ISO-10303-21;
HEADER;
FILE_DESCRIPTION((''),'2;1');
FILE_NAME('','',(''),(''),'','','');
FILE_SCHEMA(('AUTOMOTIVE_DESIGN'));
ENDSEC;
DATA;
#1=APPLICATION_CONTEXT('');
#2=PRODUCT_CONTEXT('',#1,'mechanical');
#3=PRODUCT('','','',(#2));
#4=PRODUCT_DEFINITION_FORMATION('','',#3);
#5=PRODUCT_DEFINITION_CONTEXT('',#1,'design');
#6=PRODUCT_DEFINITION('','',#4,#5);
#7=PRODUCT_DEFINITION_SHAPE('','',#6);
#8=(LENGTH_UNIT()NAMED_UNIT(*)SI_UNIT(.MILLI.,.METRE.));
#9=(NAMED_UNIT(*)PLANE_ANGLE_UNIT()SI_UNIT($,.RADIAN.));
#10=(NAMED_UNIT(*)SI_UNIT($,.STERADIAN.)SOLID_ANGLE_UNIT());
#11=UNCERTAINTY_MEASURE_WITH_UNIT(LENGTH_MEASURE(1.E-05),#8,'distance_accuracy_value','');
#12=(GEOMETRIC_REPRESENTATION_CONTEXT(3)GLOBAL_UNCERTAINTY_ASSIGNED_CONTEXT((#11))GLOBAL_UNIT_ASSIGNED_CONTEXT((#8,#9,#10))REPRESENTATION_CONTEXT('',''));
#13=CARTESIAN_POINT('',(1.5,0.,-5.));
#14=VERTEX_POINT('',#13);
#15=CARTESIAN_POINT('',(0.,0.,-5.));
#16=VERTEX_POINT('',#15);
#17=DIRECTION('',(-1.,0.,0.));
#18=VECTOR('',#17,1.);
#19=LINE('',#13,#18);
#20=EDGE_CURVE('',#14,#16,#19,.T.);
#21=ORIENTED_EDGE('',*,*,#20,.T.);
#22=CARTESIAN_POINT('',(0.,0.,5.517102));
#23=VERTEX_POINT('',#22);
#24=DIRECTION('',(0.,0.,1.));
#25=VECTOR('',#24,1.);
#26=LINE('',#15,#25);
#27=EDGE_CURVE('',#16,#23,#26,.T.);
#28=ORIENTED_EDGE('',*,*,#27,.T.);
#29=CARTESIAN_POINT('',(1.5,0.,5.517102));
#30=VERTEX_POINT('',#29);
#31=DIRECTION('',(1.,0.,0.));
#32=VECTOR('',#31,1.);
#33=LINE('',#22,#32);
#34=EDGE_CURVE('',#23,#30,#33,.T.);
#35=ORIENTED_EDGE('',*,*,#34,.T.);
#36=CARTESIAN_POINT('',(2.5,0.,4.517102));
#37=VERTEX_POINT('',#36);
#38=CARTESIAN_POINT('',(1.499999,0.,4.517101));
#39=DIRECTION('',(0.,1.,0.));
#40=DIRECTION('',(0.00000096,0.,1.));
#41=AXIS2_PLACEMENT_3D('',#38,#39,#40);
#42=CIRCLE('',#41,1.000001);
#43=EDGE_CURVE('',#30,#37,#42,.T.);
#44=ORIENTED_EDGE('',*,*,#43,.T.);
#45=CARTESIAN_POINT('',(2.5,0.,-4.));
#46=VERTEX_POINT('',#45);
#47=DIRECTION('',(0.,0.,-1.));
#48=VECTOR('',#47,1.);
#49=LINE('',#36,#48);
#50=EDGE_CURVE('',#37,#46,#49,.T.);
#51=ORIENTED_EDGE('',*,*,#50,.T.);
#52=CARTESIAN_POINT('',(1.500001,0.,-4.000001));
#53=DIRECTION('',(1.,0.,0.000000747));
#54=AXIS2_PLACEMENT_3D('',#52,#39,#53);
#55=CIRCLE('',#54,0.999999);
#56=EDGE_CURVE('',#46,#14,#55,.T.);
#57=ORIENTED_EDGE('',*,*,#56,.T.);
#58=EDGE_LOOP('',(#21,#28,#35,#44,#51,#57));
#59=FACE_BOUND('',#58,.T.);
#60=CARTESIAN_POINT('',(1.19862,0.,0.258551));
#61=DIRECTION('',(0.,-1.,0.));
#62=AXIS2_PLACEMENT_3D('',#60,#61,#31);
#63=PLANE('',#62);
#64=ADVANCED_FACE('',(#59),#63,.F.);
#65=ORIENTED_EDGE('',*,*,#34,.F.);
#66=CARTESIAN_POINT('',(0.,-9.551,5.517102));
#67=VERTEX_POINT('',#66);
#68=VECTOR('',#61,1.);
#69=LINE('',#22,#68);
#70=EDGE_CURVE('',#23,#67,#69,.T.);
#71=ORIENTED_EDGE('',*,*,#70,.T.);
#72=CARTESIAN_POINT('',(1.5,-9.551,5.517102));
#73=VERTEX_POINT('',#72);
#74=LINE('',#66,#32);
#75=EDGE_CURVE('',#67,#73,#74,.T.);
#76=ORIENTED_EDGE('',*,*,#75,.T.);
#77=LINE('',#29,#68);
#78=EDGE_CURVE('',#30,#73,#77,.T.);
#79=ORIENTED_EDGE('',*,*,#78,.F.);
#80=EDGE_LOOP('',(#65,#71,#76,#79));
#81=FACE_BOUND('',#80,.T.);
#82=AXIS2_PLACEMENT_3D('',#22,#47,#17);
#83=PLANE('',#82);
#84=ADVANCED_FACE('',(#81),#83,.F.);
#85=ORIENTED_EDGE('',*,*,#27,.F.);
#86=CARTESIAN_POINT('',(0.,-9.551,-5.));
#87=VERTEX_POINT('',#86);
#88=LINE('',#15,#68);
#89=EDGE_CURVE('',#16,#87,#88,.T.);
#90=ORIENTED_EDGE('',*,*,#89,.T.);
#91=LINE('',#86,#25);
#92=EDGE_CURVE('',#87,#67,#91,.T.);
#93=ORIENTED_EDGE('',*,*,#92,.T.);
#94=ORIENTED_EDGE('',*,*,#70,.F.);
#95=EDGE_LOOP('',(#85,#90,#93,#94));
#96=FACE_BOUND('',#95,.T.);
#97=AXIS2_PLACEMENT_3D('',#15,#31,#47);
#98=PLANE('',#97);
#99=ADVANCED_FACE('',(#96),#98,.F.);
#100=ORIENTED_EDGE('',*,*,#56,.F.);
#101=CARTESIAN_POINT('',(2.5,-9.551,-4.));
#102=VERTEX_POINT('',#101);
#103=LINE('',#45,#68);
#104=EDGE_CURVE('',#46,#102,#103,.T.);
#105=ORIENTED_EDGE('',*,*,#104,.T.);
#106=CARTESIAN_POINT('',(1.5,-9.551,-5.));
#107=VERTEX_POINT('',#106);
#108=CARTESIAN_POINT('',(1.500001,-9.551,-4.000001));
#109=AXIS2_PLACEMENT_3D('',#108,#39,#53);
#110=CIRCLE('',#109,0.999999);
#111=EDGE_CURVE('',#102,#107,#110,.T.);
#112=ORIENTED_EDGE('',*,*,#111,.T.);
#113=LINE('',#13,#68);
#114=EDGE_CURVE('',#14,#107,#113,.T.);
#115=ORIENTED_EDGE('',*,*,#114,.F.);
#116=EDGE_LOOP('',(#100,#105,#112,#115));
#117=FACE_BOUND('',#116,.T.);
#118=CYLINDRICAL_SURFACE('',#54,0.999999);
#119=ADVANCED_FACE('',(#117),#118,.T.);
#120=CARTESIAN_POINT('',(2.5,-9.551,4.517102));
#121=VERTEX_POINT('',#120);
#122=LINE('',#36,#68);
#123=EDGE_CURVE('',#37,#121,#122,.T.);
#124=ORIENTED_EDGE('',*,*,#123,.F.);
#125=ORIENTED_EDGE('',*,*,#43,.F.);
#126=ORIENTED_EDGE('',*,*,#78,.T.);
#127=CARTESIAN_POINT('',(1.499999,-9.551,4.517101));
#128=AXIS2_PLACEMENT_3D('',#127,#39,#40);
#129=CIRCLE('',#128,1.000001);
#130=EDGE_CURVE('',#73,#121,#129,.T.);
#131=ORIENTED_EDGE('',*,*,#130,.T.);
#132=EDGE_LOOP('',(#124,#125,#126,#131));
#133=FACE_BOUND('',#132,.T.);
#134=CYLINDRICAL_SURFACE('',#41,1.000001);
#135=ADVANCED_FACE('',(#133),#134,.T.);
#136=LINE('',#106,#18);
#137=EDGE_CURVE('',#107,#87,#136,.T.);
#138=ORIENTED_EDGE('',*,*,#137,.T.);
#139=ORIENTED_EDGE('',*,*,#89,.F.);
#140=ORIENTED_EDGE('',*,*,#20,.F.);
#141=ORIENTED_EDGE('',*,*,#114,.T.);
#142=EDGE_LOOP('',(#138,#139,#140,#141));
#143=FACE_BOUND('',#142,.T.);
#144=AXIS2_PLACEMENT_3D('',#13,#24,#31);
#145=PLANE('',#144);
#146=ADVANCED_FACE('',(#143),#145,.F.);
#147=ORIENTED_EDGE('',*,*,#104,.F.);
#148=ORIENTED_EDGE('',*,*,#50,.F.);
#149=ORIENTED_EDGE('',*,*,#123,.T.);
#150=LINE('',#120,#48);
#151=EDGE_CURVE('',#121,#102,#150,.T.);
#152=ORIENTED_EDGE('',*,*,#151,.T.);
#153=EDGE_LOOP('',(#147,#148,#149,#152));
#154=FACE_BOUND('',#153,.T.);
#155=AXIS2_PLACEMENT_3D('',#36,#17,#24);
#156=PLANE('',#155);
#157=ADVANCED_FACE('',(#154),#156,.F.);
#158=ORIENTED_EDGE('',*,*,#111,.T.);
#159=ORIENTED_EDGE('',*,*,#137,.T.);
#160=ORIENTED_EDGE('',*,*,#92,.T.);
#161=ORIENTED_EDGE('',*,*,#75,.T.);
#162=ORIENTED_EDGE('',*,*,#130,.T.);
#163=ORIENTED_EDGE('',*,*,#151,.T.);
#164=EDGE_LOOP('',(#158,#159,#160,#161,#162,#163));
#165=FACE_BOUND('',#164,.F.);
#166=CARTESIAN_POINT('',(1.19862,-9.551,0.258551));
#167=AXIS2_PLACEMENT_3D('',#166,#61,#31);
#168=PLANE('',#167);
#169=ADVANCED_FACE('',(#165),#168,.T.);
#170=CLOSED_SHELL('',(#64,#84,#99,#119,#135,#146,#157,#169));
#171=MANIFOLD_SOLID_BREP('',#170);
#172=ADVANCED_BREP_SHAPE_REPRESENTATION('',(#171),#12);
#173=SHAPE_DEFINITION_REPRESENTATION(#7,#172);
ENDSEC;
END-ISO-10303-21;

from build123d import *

# Parameters (mm, degrees)
F1_DEPTH = 9.551


with BuildPart() as f1:
    # F0 (on Front) → F1 (new body)
    with BuildSketch(Plane.XZ):
        with BuildLine():
            Line((0, -5), (0, 0))
            Line((0, 0), (0, 5.517102))
            Line((0, 5.517102), (-1.5, 5.517102))
            ThreePointArc((-1.5, 5.517102), (-2.207107, 5.224208), (-2.5, 4.517102))
            Line((-2.5, 4.517102), (-2.5, -4))
            ThreePointArc((-2.5, -4), (-2.207107, -4.707107), (-1.5, -5))
            Line((-1.5, -5), (0, -5))
        make_face()
    extrude(amount=F1_DEPTH)


with BuildPart() as f2_1:
    # F2: instance of F1
    add(f1.part.mirror(Plane.YZ))


solid = f2_1.part
